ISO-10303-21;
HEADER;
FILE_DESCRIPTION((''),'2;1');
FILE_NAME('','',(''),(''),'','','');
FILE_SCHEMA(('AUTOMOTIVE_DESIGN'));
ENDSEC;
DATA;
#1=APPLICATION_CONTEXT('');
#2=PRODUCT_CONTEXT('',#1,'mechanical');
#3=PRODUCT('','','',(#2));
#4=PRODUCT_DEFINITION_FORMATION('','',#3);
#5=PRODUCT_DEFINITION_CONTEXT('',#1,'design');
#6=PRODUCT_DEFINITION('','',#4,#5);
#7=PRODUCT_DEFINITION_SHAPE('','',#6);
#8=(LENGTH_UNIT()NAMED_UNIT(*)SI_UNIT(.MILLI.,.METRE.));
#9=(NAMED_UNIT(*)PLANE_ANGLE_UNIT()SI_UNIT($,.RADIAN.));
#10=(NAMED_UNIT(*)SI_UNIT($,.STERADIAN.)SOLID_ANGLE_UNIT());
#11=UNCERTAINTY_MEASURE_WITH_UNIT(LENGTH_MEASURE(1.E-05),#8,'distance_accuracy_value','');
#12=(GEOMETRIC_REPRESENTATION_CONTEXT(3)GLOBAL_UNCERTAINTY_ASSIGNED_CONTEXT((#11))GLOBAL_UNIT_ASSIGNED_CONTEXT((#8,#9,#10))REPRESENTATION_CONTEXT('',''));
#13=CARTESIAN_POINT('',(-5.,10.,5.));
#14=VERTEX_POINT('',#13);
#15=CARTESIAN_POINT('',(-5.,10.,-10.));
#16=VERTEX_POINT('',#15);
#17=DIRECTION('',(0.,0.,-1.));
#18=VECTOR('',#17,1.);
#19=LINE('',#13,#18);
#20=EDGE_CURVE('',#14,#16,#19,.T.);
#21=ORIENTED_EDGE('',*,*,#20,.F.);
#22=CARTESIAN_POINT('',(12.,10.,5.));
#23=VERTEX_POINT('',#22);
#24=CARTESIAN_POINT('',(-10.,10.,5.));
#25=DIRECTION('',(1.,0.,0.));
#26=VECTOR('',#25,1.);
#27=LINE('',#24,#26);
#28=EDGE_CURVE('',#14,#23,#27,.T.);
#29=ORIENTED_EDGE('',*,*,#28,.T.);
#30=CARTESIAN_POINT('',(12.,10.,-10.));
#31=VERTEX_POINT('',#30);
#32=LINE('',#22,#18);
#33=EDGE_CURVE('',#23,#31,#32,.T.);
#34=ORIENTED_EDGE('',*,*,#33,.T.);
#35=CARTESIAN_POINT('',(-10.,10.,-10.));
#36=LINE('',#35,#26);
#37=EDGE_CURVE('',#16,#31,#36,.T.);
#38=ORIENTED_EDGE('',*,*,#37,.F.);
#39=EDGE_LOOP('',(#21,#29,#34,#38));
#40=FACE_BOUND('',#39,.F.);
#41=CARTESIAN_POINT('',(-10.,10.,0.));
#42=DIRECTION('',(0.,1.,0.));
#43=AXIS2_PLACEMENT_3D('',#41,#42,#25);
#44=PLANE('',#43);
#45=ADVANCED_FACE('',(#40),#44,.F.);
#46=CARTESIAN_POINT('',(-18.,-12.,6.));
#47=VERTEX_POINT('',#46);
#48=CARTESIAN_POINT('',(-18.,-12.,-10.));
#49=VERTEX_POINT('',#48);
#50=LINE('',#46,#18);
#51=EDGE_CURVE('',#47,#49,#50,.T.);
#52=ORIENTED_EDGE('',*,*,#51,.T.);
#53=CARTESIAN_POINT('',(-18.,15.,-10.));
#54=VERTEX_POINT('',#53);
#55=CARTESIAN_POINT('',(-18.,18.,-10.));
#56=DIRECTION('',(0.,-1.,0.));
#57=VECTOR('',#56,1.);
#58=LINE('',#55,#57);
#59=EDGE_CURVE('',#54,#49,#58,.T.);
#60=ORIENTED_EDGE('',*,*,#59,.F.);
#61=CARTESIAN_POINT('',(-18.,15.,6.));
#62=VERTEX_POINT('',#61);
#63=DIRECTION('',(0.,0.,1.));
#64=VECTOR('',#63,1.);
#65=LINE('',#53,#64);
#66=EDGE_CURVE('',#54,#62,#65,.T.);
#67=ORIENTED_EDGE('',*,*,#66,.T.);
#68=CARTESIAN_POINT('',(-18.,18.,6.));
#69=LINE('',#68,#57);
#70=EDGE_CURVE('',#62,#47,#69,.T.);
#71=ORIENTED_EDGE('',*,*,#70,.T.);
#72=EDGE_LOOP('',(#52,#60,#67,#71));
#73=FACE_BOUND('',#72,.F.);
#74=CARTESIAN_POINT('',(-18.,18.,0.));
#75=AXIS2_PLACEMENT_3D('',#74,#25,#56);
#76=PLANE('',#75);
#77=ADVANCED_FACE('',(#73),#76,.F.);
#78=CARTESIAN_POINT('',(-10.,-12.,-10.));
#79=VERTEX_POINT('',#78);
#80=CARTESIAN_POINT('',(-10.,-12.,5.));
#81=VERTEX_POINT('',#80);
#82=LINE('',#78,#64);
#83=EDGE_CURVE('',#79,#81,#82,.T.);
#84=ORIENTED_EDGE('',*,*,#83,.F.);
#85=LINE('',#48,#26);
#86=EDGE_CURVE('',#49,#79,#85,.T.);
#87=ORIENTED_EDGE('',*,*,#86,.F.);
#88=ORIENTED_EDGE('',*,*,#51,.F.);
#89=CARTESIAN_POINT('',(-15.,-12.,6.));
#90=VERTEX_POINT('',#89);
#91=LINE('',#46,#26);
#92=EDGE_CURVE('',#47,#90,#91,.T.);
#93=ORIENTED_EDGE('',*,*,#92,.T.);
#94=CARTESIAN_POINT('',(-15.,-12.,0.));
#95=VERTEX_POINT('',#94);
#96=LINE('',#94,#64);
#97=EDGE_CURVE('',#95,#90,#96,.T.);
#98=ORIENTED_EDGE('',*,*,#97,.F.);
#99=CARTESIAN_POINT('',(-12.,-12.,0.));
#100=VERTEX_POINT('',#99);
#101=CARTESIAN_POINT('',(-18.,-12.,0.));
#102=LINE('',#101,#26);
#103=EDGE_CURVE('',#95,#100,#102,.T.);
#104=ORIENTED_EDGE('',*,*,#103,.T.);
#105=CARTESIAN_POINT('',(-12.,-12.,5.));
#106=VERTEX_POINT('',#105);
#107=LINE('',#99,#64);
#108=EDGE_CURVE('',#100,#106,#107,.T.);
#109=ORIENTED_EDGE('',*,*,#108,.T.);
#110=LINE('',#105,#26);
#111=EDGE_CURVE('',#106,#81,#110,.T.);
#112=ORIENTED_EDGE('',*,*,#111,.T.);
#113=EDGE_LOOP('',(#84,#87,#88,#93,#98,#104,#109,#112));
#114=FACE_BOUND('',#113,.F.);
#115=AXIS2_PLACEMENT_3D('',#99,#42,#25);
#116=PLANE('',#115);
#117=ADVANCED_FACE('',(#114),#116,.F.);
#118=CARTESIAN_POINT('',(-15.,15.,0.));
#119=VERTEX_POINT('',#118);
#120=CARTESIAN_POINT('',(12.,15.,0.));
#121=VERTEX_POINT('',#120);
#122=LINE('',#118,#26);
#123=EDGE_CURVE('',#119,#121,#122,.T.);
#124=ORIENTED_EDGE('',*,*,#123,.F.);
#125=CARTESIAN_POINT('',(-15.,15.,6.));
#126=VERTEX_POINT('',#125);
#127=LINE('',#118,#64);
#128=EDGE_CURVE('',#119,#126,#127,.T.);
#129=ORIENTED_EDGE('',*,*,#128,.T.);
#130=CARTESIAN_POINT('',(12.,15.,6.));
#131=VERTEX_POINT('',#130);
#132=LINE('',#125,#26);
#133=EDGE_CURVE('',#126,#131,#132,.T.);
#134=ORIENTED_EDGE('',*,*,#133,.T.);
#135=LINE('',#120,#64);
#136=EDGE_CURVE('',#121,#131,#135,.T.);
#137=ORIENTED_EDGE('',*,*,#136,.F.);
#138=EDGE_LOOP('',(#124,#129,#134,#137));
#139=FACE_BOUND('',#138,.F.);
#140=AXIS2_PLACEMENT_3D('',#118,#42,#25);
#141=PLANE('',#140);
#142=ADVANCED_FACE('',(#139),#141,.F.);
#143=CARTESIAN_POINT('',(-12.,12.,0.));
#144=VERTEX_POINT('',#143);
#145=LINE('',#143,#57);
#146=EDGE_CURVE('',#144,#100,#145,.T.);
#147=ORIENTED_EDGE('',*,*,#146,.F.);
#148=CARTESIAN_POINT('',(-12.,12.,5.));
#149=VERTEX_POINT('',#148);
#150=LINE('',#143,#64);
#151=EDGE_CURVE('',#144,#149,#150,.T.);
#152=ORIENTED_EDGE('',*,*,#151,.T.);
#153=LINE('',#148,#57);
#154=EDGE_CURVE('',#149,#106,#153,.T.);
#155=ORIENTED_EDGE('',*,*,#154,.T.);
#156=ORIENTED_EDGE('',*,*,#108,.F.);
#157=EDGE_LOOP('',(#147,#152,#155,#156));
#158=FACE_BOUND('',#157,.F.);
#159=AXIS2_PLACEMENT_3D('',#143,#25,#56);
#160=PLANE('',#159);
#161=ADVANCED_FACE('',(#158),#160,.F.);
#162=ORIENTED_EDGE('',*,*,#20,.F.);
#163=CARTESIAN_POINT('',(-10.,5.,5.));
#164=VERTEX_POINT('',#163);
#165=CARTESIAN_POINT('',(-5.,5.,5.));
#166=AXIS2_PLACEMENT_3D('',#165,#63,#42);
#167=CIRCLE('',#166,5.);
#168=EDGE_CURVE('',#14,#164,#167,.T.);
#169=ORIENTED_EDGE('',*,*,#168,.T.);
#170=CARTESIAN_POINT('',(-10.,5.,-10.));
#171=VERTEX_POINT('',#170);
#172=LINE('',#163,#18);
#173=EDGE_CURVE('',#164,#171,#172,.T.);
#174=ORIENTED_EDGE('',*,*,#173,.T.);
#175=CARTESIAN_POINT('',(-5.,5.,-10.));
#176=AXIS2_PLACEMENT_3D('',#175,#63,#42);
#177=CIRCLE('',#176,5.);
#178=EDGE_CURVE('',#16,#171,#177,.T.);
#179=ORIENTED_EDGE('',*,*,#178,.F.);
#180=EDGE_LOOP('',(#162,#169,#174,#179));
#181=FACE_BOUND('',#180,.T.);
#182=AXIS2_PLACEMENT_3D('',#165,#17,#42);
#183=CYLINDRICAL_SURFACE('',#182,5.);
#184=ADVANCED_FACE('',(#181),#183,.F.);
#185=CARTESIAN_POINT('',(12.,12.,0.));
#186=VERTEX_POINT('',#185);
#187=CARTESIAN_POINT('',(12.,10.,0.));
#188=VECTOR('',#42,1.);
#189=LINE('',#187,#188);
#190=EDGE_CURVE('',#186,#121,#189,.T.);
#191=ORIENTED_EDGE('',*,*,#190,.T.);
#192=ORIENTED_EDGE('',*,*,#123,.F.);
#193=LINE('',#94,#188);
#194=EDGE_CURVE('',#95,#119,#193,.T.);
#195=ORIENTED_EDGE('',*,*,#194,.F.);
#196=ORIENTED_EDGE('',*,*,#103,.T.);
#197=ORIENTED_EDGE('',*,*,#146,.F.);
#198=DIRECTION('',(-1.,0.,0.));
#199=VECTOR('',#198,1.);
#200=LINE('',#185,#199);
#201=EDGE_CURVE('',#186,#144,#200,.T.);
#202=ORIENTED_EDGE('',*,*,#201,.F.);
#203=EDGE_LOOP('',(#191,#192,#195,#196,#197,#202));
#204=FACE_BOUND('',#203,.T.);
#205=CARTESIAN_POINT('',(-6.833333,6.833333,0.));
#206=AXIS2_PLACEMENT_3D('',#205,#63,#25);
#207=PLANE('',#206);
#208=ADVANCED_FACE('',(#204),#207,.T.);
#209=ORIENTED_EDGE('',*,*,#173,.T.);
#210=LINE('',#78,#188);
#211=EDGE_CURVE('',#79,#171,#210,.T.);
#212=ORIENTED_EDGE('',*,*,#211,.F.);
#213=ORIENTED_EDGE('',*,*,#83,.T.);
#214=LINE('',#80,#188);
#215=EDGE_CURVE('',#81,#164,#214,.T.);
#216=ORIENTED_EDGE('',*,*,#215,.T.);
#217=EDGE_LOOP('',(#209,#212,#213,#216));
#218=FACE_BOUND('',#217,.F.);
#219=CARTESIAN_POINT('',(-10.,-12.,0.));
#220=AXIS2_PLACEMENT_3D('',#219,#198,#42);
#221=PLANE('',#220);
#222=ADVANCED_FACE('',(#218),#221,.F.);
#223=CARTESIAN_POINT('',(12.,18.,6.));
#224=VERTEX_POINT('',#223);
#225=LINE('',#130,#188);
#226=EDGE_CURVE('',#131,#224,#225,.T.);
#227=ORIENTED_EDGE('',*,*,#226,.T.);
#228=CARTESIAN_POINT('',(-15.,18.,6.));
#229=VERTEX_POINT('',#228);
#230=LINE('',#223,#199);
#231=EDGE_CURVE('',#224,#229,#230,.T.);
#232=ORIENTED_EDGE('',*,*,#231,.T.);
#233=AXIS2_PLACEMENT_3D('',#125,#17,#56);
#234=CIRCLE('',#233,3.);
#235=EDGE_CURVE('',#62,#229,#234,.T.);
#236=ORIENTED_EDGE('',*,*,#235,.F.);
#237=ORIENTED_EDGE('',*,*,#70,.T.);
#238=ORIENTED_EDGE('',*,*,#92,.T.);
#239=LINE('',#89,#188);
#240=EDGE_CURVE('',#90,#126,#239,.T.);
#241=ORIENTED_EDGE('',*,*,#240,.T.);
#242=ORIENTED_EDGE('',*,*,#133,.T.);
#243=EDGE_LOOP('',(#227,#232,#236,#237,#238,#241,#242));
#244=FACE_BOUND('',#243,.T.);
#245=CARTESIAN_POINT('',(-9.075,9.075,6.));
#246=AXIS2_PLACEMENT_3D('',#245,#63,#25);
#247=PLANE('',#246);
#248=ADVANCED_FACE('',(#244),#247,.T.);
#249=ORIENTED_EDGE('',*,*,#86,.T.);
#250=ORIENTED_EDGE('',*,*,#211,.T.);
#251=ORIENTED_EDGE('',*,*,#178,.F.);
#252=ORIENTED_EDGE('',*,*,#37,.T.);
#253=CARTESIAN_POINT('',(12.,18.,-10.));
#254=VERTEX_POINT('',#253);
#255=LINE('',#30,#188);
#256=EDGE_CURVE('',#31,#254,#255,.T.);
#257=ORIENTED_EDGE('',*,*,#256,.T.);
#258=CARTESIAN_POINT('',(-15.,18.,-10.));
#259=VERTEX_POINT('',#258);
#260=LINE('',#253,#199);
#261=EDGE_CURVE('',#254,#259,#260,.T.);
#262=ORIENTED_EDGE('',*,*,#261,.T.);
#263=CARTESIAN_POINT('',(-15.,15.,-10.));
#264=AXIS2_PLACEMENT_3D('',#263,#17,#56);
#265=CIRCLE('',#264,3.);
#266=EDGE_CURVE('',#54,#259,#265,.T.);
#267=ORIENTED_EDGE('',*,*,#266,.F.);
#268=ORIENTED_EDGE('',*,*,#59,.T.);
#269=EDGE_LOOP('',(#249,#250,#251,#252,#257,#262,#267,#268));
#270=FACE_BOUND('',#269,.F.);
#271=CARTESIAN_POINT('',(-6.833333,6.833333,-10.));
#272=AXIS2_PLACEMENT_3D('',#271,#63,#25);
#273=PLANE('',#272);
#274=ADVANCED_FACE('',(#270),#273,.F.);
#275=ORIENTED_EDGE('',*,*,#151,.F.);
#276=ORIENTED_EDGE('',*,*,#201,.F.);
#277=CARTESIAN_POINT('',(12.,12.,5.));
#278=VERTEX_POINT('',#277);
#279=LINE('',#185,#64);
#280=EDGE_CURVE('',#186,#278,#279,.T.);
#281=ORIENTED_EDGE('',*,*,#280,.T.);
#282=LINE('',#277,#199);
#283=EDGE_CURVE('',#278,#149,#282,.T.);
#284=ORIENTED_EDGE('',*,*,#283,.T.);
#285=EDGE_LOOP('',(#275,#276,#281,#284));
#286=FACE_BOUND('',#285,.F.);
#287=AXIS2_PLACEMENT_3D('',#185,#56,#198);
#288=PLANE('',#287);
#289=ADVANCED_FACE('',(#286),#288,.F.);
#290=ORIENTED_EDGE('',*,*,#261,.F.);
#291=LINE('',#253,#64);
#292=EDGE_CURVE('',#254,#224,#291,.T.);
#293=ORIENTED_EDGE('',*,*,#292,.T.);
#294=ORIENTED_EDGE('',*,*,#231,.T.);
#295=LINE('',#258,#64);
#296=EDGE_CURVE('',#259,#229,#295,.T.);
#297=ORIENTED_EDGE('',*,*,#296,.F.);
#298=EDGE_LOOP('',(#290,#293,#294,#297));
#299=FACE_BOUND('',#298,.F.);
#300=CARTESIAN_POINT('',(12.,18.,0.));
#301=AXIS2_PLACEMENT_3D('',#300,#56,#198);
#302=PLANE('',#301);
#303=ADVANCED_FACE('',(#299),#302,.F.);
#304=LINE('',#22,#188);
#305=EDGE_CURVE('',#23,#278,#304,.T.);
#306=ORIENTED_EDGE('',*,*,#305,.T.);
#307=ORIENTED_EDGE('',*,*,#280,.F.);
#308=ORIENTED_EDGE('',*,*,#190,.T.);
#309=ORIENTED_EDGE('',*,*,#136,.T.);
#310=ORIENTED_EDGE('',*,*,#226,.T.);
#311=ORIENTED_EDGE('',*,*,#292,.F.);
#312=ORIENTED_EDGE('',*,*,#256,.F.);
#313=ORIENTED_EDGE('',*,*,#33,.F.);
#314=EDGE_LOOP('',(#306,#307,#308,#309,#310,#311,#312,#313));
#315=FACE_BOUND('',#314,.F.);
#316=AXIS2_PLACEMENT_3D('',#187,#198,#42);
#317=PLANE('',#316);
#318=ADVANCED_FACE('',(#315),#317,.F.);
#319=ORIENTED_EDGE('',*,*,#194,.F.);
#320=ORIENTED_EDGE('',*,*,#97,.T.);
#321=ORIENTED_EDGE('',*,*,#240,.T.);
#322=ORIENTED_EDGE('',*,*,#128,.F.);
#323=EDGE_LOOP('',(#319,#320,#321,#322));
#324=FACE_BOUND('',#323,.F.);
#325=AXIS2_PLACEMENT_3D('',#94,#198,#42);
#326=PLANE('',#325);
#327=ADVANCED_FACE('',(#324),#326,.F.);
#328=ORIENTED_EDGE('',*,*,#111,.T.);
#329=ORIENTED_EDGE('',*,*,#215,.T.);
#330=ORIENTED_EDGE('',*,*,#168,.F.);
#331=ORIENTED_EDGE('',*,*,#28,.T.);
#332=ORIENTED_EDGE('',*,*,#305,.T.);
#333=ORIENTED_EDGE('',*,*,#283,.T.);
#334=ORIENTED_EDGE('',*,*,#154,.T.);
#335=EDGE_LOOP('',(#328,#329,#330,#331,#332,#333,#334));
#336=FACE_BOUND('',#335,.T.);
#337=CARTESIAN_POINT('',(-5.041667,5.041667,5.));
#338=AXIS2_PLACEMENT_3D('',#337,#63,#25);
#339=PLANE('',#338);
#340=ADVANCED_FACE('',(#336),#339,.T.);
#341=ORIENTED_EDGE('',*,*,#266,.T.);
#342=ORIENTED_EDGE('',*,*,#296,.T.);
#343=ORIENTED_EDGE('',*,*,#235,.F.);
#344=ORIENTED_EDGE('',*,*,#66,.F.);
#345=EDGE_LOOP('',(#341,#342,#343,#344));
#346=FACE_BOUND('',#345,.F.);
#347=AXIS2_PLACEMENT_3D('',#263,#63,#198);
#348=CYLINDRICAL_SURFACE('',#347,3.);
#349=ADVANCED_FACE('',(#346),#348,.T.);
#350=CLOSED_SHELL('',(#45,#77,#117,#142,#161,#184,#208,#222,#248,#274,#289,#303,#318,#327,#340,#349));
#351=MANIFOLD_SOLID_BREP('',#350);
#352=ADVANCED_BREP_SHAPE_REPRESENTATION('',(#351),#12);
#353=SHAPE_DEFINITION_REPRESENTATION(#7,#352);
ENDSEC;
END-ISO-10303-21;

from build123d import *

# Parameters (mm, degrees)
F1_DEPTH = 10
F2_DEPTH = 6
F3_DEPTH = 5
F4_R     = 5
F5_R     = 3


with BuildPart() as f1:
    # F0 (on Top) → F1 (new body)
    with BuildSketch(Plane.XY):
        Polygon((-12, -12), (-12, 12), (12, 12), (12, 15), (-15, 15), (-15, -12), align=None)
        Polygon((12, 12), (-12, 12), (-12, -12), (-10, -12), (-10, 10), (12, 10), align=None)
        Polygon((-15, 15), (12, 15), (12, 18), (-18, 18), (-18, -12), (-15, -12), align=None)
    extrude(amount=-F1_DEPTH)

    # F0 (on Top) → F2 (join)
    with BuildSketch(Plane.XY):
        Polygon((-15, 15), (12, 15), (12, 18), (-18, 18), (-18, -12), (-15, -12), align=None)
    extrude(amount=F2_DEPTH)

    # F0 (on Top) → F3 (join)
    with BuildSketch(Plane.XY):
        Polygon((12, 12), (-12, 12), (-12, -12), (-10, -12), (-10, 10), (12, 10), align=None)
    extrude(amount=F3_DEPTH)

    # F4
    f4_edges = [f1.edges().sort_by_distance(p)[0] for p in [
        (-10, 10, -2.5),
    ]]
    fillet(f4_edges, radius=F4_R)

    # F5
    f5_edges = [f1.edges().sort_by_distance(p)[0] for p in [
        (-18, 18, -2),
    ]]
    fillet(f5_edges, radius=F5_R)


solid = f1.part
